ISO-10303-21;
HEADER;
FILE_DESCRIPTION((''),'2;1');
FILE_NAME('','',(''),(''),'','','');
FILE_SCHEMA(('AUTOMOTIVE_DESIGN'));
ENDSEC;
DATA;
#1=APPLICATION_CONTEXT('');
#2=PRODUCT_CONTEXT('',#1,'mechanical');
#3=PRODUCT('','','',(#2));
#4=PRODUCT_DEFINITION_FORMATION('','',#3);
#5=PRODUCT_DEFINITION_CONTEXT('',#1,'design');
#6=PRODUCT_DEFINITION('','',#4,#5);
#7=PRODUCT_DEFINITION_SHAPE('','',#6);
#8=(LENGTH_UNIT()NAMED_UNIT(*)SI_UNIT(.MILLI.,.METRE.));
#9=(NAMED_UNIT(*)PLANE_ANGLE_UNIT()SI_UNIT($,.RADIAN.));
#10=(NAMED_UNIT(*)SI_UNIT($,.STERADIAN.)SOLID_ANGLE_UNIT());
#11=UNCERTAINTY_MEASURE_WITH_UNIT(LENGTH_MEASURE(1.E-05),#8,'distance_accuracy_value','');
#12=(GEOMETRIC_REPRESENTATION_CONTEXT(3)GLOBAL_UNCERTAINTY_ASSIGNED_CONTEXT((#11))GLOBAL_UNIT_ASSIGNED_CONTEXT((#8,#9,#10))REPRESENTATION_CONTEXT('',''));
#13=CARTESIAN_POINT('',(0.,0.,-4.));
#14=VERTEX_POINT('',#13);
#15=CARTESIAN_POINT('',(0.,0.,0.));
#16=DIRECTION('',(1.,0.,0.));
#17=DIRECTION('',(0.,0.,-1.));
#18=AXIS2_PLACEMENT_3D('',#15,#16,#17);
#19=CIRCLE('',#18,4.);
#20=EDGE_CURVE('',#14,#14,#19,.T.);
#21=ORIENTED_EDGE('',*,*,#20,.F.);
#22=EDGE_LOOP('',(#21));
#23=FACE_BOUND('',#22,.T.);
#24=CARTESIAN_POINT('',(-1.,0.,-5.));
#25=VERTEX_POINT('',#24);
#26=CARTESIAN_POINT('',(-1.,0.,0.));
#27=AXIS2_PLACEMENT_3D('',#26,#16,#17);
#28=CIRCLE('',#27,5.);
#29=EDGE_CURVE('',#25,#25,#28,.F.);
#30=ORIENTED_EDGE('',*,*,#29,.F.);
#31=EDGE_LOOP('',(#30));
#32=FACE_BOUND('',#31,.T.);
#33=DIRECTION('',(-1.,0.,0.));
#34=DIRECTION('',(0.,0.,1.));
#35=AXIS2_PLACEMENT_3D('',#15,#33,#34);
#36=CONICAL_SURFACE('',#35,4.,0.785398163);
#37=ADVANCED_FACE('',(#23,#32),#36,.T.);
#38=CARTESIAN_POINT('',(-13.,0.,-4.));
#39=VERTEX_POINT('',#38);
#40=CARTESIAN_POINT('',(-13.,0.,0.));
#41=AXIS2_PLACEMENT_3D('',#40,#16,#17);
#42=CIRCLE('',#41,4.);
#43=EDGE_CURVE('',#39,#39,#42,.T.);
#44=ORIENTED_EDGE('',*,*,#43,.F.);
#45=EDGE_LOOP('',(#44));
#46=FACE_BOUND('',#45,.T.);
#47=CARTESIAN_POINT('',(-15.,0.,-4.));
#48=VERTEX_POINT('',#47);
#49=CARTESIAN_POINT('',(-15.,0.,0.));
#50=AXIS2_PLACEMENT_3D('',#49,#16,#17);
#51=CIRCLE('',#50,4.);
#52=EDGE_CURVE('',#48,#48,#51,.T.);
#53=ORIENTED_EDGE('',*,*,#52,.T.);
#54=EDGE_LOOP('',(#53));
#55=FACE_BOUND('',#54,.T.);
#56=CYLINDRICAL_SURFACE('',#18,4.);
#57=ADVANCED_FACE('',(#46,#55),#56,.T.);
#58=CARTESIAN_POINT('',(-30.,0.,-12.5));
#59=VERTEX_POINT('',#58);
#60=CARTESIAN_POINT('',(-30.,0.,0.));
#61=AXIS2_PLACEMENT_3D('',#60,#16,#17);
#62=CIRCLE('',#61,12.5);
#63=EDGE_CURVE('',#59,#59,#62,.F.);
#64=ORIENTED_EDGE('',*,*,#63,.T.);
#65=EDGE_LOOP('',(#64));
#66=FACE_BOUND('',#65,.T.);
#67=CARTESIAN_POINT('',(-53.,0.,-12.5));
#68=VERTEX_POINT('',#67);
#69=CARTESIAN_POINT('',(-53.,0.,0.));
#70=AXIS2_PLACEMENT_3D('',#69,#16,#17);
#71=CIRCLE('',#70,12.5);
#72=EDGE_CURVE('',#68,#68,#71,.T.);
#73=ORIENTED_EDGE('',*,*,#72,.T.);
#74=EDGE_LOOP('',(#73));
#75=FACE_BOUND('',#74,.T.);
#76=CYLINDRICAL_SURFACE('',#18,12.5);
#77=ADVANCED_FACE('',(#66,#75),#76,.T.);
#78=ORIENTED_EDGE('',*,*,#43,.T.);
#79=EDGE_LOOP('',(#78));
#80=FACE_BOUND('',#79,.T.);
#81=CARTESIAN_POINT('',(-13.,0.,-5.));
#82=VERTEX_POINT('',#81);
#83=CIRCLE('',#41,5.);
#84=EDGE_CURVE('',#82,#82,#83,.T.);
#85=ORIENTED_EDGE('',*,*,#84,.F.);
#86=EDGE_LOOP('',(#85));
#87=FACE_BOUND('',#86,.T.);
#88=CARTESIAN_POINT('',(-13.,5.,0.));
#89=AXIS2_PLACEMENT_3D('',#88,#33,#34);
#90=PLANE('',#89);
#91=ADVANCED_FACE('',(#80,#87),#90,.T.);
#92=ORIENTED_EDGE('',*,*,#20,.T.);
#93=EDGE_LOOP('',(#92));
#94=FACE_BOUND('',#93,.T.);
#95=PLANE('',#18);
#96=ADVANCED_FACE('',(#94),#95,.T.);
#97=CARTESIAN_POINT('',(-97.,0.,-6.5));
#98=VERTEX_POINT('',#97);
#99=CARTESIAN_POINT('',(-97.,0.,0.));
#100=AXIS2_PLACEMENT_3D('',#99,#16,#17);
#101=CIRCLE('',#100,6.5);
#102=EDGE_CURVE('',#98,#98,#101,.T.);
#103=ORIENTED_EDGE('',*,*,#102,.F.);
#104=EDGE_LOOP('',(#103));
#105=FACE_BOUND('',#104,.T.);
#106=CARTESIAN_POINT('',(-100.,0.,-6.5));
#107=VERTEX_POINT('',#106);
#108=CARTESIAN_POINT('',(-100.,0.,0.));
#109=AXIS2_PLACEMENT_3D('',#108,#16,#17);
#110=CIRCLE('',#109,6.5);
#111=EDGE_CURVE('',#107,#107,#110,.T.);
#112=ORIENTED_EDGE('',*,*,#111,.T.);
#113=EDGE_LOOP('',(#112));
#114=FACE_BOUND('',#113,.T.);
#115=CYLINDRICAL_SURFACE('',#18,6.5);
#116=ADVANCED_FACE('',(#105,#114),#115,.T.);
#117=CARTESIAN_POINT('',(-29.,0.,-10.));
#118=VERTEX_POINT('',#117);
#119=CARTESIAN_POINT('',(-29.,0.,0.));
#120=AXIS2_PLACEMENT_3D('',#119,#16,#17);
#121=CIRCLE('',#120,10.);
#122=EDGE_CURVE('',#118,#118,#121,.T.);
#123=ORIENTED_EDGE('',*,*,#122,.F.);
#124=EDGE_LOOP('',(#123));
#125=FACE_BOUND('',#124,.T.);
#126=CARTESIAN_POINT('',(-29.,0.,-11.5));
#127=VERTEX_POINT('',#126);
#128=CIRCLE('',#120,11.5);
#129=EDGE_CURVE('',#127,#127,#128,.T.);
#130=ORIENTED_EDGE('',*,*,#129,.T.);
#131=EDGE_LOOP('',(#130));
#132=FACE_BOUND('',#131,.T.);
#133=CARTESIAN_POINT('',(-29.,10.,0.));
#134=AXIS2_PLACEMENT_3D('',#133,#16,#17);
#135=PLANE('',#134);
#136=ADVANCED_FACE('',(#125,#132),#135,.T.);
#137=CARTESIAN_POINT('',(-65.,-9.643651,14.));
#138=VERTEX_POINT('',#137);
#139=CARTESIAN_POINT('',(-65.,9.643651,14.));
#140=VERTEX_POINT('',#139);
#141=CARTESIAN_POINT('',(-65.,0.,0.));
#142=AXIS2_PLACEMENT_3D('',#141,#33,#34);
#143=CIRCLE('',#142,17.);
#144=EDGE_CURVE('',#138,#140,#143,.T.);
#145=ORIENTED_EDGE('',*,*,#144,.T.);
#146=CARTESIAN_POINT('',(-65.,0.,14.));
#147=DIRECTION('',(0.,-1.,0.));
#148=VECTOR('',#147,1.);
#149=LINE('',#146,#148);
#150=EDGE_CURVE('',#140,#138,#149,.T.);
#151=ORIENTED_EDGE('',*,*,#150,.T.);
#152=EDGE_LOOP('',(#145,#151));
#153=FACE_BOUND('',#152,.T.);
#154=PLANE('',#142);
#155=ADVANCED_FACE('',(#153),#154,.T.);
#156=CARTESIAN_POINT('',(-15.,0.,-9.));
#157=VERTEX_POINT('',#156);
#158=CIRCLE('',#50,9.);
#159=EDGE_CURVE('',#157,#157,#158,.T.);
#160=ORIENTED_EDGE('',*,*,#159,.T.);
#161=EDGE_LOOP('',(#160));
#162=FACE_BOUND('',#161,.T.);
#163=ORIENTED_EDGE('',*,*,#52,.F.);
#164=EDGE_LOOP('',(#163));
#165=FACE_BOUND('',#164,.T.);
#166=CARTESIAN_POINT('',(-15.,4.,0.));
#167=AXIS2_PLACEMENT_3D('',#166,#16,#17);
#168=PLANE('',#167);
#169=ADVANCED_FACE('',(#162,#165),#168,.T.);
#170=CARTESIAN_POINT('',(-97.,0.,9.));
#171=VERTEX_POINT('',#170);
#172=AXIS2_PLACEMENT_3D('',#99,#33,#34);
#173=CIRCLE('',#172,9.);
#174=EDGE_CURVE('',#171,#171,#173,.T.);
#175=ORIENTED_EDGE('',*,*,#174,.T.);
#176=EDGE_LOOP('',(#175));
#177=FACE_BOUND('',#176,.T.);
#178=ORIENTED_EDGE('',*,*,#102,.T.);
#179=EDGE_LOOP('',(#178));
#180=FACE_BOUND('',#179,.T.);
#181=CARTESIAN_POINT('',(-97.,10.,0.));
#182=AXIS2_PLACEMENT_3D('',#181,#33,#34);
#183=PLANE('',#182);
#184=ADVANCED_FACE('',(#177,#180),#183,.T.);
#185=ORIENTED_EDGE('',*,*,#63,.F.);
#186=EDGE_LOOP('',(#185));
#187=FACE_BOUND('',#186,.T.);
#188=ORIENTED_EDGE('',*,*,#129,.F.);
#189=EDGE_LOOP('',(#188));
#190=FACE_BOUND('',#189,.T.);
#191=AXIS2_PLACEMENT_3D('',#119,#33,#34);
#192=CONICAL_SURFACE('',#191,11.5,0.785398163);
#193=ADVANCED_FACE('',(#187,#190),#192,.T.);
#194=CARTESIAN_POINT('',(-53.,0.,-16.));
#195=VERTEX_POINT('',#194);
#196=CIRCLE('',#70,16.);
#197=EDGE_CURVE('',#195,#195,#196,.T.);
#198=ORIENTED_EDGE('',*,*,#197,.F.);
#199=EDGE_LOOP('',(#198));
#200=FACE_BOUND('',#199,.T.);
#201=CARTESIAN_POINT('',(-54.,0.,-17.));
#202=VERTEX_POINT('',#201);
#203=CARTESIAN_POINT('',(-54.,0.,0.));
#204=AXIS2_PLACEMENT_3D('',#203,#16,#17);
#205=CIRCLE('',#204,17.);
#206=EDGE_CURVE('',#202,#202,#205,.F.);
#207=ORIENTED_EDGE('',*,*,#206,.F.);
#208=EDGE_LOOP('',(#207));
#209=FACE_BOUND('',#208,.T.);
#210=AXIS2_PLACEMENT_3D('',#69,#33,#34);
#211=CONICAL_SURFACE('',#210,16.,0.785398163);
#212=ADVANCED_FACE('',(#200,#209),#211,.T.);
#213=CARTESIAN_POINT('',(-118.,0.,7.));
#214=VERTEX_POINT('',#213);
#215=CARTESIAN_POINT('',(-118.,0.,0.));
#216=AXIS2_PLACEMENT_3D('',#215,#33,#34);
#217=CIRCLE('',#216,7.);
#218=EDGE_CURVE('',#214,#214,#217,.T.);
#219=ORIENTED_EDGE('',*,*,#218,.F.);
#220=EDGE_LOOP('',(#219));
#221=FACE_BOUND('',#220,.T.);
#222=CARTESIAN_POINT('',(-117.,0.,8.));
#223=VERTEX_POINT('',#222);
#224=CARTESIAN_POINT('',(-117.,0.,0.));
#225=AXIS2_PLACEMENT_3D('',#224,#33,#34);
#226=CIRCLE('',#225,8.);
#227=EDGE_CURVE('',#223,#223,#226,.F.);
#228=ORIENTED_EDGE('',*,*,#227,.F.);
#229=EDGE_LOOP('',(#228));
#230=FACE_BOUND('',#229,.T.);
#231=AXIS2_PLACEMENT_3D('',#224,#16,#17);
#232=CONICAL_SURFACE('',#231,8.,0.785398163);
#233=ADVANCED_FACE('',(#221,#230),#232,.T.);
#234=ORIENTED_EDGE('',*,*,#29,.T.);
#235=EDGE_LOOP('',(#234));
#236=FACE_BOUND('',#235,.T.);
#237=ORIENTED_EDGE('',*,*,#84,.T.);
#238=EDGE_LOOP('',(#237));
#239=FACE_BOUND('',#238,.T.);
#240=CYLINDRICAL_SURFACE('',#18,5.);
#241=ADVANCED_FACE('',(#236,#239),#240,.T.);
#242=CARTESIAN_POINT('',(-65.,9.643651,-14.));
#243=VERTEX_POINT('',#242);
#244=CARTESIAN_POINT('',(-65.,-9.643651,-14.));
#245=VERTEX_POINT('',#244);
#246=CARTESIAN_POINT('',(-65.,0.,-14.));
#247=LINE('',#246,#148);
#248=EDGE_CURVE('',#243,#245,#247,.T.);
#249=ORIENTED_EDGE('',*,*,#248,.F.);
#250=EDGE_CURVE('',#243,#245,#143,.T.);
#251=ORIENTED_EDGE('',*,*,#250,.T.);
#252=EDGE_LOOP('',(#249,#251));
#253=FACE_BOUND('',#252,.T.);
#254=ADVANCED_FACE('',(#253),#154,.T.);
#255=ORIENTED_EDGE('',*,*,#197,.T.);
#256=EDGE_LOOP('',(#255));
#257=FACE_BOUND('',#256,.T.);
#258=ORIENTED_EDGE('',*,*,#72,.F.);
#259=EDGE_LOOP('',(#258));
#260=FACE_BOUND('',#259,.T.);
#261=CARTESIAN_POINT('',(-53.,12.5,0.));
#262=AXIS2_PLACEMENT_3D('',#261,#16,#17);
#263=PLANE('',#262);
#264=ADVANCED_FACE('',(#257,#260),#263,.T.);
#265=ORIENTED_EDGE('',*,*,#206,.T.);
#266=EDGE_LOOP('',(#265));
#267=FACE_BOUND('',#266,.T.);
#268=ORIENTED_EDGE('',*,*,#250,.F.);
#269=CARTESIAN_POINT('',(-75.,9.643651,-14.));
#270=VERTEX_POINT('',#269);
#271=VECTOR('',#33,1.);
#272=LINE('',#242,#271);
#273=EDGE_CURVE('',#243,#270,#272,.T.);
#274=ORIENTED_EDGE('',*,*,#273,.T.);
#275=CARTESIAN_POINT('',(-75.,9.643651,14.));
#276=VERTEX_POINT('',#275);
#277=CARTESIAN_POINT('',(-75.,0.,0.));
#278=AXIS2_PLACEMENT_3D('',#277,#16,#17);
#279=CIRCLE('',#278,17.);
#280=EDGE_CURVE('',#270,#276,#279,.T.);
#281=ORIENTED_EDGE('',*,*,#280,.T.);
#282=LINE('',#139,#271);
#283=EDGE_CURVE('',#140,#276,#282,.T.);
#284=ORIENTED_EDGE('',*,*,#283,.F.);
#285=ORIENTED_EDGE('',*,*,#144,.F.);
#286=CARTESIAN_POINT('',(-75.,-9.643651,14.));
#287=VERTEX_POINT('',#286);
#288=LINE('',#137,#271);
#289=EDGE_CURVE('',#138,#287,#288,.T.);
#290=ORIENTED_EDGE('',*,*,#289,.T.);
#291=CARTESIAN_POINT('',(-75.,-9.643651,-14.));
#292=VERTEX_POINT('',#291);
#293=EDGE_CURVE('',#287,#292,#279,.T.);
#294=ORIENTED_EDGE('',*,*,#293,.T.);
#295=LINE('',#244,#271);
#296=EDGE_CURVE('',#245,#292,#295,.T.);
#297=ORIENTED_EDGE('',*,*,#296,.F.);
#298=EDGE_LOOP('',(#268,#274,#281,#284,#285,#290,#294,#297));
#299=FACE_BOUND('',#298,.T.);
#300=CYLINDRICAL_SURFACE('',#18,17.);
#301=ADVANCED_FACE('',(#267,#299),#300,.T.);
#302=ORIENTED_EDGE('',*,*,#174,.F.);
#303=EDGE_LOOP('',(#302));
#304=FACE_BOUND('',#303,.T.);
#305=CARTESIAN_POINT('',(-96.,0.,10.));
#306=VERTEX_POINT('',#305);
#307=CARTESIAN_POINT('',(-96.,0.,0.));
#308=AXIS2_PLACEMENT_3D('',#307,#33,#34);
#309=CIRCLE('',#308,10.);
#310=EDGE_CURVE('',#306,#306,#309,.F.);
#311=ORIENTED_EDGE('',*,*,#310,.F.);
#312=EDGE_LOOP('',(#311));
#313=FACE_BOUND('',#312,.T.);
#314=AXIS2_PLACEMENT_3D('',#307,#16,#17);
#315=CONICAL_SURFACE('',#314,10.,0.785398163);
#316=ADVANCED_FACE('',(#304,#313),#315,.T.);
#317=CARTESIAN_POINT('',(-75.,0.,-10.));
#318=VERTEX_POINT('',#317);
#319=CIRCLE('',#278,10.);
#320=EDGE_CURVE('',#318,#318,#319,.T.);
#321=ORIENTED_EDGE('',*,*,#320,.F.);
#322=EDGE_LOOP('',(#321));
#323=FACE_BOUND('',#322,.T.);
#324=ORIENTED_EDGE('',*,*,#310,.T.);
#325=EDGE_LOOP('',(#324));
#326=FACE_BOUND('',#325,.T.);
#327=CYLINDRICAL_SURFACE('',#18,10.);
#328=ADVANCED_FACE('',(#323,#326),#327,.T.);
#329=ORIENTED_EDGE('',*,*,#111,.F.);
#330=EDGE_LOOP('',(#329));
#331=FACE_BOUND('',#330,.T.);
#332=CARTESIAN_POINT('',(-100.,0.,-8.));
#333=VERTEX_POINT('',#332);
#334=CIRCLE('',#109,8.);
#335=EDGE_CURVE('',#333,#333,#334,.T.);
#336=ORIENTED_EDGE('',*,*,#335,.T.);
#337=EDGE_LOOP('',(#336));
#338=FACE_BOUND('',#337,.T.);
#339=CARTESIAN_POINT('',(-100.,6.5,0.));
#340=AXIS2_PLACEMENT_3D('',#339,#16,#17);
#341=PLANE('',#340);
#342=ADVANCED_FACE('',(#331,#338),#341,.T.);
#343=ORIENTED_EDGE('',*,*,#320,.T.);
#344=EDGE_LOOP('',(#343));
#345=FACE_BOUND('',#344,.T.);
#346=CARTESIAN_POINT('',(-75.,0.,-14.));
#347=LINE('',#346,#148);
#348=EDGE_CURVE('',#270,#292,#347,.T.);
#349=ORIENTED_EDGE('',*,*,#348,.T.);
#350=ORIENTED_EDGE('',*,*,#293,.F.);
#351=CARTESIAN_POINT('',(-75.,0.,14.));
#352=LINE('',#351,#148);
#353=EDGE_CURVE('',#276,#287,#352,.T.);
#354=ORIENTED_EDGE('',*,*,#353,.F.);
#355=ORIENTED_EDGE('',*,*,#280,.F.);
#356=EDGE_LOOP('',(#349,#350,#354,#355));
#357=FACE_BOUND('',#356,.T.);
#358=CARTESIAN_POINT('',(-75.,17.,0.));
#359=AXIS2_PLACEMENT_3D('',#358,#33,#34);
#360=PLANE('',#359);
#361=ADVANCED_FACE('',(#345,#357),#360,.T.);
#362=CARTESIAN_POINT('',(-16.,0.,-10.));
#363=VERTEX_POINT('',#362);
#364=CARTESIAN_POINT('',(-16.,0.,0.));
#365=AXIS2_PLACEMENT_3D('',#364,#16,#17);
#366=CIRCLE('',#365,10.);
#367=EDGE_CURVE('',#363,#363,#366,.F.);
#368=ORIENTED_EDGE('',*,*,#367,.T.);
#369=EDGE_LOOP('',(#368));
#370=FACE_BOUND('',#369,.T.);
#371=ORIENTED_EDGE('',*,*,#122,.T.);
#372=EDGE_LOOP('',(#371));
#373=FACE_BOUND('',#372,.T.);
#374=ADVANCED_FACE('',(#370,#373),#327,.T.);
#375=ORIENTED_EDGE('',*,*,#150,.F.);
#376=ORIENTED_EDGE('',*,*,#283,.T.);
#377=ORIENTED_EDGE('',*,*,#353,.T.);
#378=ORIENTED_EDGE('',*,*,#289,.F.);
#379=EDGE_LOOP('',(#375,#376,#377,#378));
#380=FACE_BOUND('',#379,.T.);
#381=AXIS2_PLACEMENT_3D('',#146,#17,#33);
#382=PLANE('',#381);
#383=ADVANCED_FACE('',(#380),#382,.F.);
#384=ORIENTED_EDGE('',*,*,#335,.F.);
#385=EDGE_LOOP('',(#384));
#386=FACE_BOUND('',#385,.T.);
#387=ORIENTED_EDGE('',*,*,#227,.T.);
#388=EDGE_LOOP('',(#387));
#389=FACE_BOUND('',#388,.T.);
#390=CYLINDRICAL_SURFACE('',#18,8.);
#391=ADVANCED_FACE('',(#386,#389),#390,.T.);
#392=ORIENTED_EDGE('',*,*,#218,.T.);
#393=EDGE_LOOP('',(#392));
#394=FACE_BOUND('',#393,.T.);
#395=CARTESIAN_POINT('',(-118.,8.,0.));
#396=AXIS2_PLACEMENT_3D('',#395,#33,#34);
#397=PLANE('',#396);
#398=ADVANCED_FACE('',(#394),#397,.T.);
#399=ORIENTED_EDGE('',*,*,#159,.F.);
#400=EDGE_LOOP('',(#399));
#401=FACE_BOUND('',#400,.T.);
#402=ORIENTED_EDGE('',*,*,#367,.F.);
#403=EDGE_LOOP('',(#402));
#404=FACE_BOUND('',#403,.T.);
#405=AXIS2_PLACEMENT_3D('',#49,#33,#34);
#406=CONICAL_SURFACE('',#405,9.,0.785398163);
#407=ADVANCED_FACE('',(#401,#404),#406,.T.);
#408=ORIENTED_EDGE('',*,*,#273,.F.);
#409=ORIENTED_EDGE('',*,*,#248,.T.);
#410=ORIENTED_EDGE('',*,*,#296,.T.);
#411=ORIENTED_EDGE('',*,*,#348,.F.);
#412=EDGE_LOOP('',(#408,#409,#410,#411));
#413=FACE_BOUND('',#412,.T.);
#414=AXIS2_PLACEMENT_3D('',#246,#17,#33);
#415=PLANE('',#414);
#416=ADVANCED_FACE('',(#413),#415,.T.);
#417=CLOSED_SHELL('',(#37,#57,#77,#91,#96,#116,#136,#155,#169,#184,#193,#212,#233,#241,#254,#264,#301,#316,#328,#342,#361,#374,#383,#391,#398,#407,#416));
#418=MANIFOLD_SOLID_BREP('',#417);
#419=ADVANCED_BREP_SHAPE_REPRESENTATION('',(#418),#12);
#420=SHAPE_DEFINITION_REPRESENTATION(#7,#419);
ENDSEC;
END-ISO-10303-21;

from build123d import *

# Parameters (mm, degrees)
CHAMFER1_SIZE      = 1
CUT_EXTRUDE1_DEPTH = 10


with BuildPart() as part:
    # Sketch1 → Revolve1 (revolve)
    with BuildSketch(Plane.XY, mode=Mode.PRIVATE) as revolve1_sk:
        Polygon((0, 0), (0, 5), (-13, 5), (-13, 4), (-15, 4), (-15, 10), (-29, 10), (-29, 12.5), (-53, 12.5), (-53, 17), (-75, 17), (-75, 10), (-97, 10), (-97, 6.5), (-100, 6.5), (-100, 8), (-118, 8), (-118, 0), align=None)
    revolve(revolve1_sk.sketch.rotate(Axis((0, 0, 0), (-1, 0, 0)), 90), axis=Axis((0, 0, 0), (-1, 0, 0)))

    # Chamfer1
    chamfer1_edges = [part.edges().sort_by_distance(p)[0] for p in [
        (-118, 0, 8),
        (-97, 0, 10),
        (-53, 0, 17),
        (-29, 0, 12.5),
        (-15, 0, 10),
        (0, 0, 5),
    ]]
    chamfer(chamfer1_edges, length=CHAMFER1_SIZE)

    # Sketch2 → Cut-Extrude1 (cut)
    with BuildSketch(Plane.ZY.offset(75)):
        with BuildLine():
            Line((-14, -9.643650761), (-14, 9.643650761))
            ThreePointArc((-14, 9.643650761), (-17, 0), (-14, -9.643650761))
        make_face()
        with BuildLine():
            ThreePointArc((17, 0), (16.232683081, 5.049752469), (14, 9.643650761))
            Line((14, 9.643650761), (14, -9.643650761))
            ThreePointArc((14, -9.643650761), (16.232683081, -5.049752469), (17, 0))
        make_face()
    extrude(amount=-CUT_EXTRUDE1_DEPTH, mode=Mode.SUBTRACT)


solid = part.part
